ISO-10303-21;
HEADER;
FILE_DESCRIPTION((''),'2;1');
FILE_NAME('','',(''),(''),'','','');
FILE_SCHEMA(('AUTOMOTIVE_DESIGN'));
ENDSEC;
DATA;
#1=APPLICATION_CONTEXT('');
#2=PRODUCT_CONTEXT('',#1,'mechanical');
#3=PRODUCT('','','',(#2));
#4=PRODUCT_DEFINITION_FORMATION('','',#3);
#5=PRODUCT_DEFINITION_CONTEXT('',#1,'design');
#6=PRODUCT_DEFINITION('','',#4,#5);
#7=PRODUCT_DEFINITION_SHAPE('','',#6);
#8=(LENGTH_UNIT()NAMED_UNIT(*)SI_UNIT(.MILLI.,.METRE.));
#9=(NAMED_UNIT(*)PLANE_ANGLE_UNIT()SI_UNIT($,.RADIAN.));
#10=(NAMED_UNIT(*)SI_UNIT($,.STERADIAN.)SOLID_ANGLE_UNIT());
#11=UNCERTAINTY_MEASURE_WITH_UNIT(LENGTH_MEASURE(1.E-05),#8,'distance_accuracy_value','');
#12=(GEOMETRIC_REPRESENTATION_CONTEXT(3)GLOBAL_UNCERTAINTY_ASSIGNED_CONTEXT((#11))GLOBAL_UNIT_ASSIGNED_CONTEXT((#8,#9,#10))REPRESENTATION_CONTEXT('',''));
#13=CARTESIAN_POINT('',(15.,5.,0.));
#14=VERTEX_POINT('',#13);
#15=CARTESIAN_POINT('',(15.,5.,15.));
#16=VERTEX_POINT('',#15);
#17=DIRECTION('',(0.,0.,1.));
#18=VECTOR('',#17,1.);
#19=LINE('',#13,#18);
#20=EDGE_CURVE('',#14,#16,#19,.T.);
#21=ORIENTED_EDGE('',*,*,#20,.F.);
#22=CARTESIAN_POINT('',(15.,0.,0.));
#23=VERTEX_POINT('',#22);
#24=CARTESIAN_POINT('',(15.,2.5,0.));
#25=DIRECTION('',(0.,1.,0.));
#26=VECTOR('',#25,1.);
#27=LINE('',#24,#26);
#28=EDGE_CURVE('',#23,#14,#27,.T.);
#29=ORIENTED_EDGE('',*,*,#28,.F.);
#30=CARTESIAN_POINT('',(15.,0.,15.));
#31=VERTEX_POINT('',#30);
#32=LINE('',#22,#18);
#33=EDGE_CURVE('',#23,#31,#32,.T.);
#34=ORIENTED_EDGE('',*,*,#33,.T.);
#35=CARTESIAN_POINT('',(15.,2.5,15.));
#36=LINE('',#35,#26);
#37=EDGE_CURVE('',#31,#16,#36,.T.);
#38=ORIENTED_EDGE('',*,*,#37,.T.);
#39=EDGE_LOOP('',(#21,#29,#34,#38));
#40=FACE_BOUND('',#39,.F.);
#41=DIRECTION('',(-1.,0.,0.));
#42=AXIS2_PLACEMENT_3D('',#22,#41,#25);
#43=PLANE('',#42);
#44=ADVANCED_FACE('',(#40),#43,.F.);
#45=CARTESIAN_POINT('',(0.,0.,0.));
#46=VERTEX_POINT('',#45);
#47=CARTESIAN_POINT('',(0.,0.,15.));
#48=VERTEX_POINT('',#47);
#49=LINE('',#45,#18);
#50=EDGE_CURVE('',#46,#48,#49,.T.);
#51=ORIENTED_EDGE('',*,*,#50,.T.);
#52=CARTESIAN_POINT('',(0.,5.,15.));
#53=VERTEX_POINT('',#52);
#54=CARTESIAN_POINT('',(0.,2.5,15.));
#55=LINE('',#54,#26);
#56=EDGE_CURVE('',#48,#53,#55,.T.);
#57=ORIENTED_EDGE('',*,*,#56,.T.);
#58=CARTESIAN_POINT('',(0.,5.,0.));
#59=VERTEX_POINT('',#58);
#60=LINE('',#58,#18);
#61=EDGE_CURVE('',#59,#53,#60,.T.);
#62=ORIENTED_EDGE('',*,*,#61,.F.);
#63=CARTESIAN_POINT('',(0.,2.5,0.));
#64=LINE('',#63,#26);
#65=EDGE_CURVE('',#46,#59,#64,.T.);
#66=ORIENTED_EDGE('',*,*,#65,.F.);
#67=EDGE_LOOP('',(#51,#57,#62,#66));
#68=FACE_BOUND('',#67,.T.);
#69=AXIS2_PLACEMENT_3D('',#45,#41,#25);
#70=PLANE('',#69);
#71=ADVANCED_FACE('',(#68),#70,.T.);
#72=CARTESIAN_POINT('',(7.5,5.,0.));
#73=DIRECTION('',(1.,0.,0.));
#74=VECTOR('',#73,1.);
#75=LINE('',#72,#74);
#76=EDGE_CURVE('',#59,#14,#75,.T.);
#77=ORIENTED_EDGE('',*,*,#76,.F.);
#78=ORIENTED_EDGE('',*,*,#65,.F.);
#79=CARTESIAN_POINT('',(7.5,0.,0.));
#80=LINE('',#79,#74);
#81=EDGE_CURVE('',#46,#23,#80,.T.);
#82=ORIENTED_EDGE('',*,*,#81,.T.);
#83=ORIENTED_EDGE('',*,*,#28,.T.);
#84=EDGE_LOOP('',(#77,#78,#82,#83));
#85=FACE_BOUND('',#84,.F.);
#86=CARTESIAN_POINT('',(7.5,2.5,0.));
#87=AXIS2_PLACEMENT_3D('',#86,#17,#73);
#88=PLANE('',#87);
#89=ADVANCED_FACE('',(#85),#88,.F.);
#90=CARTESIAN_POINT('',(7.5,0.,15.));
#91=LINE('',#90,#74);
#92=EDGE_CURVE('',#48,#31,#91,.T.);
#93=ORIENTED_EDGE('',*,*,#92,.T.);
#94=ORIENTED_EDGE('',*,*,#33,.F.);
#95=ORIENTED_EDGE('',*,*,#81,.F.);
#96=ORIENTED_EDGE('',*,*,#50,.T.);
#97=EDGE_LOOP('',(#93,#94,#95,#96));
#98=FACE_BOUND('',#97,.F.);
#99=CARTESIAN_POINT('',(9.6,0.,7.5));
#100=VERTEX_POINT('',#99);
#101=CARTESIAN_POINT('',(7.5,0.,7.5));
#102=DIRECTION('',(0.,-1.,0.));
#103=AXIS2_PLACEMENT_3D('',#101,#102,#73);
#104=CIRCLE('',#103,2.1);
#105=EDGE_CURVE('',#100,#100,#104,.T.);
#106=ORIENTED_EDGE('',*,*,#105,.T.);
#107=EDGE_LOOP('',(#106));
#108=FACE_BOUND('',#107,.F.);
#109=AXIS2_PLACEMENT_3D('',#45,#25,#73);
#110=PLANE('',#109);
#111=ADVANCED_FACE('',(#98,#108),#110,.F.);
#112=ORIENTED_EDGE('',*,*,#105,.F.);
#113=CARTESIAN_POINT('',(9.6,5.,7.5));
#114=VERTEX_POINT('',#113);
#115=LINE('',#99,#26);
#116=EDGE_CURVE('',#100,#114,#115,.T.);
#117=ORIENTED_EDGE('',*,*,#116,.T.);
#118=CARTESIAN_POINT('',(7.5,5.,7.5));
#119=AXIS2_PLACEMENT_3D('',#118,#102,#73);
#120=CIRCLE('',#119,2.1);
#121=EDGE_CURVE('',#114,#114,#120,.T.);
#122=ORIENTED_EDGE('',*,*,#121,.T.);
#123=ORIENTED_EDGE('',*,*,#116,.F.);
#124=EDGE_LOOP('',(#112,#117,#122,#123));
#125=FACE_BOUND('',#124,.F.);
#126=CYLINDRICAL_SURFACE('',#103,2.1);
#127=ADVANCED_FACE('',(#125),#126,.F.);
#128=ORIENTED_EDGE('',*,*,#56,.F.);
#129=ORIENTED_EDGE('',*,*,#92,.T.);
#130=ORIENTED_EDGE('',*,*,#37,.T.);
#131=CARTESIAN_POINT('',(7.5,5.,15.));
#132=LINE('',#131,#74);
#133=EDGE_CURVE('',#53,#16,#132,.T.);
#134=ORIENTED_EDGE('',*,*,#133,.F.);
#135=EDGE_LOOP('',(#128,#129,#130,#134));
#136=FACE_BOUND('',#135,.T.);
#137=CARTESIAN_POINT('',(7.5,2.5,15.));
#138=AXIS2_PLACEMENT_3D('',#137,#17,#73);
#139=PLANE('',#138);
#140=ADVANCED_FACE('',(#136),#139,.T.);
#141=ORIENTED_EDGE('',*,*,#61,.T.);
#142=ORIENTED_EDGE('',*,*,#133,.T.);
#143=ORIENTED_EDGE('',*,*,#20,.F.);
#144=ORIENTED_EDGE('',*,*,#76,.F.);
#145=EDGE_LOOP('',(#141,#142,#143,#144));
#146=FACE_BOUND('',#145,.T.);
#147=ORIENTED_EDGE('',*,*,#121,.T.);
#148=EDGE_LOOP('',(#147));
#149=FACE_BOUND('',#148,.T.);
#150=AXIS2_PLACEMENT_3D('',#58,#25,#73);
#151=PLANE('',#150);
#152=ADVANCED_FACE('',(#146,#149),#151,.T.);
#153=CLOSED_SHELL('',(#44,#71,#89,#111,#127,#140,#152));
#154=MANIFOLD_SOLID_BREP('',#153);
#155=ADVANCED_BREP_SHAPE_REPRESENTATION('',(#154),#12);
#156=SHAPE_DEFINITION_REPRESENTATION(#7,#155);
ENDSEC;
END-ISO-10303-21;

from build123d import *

# Parameters (mm, degrees)
BOX_W        = 15
BOX_H        = 5
BOX_DEPTH    = 15
SKETCH_R     = 2.1
POCKET_DEPTH = 5


with BuildPart() as part:
    # Box → Box (new body)
    with BuildSketch(Plane.XY):
        with Locations((7.5, 2.5)):
            Rectangle(BOX_W, BOX_H)
    extrude(amount=BOX_DEPTH)

    # Sketch → Pocket (cut)
    with BuildSketch(Plane.XZ):
        with Locations((7.5, 7.5)):
            Circle(SKETCH_R)
    extrude(amount=-POCKET_DEPTH, mode=Mode.SUBTRACT)


solid = part.part
